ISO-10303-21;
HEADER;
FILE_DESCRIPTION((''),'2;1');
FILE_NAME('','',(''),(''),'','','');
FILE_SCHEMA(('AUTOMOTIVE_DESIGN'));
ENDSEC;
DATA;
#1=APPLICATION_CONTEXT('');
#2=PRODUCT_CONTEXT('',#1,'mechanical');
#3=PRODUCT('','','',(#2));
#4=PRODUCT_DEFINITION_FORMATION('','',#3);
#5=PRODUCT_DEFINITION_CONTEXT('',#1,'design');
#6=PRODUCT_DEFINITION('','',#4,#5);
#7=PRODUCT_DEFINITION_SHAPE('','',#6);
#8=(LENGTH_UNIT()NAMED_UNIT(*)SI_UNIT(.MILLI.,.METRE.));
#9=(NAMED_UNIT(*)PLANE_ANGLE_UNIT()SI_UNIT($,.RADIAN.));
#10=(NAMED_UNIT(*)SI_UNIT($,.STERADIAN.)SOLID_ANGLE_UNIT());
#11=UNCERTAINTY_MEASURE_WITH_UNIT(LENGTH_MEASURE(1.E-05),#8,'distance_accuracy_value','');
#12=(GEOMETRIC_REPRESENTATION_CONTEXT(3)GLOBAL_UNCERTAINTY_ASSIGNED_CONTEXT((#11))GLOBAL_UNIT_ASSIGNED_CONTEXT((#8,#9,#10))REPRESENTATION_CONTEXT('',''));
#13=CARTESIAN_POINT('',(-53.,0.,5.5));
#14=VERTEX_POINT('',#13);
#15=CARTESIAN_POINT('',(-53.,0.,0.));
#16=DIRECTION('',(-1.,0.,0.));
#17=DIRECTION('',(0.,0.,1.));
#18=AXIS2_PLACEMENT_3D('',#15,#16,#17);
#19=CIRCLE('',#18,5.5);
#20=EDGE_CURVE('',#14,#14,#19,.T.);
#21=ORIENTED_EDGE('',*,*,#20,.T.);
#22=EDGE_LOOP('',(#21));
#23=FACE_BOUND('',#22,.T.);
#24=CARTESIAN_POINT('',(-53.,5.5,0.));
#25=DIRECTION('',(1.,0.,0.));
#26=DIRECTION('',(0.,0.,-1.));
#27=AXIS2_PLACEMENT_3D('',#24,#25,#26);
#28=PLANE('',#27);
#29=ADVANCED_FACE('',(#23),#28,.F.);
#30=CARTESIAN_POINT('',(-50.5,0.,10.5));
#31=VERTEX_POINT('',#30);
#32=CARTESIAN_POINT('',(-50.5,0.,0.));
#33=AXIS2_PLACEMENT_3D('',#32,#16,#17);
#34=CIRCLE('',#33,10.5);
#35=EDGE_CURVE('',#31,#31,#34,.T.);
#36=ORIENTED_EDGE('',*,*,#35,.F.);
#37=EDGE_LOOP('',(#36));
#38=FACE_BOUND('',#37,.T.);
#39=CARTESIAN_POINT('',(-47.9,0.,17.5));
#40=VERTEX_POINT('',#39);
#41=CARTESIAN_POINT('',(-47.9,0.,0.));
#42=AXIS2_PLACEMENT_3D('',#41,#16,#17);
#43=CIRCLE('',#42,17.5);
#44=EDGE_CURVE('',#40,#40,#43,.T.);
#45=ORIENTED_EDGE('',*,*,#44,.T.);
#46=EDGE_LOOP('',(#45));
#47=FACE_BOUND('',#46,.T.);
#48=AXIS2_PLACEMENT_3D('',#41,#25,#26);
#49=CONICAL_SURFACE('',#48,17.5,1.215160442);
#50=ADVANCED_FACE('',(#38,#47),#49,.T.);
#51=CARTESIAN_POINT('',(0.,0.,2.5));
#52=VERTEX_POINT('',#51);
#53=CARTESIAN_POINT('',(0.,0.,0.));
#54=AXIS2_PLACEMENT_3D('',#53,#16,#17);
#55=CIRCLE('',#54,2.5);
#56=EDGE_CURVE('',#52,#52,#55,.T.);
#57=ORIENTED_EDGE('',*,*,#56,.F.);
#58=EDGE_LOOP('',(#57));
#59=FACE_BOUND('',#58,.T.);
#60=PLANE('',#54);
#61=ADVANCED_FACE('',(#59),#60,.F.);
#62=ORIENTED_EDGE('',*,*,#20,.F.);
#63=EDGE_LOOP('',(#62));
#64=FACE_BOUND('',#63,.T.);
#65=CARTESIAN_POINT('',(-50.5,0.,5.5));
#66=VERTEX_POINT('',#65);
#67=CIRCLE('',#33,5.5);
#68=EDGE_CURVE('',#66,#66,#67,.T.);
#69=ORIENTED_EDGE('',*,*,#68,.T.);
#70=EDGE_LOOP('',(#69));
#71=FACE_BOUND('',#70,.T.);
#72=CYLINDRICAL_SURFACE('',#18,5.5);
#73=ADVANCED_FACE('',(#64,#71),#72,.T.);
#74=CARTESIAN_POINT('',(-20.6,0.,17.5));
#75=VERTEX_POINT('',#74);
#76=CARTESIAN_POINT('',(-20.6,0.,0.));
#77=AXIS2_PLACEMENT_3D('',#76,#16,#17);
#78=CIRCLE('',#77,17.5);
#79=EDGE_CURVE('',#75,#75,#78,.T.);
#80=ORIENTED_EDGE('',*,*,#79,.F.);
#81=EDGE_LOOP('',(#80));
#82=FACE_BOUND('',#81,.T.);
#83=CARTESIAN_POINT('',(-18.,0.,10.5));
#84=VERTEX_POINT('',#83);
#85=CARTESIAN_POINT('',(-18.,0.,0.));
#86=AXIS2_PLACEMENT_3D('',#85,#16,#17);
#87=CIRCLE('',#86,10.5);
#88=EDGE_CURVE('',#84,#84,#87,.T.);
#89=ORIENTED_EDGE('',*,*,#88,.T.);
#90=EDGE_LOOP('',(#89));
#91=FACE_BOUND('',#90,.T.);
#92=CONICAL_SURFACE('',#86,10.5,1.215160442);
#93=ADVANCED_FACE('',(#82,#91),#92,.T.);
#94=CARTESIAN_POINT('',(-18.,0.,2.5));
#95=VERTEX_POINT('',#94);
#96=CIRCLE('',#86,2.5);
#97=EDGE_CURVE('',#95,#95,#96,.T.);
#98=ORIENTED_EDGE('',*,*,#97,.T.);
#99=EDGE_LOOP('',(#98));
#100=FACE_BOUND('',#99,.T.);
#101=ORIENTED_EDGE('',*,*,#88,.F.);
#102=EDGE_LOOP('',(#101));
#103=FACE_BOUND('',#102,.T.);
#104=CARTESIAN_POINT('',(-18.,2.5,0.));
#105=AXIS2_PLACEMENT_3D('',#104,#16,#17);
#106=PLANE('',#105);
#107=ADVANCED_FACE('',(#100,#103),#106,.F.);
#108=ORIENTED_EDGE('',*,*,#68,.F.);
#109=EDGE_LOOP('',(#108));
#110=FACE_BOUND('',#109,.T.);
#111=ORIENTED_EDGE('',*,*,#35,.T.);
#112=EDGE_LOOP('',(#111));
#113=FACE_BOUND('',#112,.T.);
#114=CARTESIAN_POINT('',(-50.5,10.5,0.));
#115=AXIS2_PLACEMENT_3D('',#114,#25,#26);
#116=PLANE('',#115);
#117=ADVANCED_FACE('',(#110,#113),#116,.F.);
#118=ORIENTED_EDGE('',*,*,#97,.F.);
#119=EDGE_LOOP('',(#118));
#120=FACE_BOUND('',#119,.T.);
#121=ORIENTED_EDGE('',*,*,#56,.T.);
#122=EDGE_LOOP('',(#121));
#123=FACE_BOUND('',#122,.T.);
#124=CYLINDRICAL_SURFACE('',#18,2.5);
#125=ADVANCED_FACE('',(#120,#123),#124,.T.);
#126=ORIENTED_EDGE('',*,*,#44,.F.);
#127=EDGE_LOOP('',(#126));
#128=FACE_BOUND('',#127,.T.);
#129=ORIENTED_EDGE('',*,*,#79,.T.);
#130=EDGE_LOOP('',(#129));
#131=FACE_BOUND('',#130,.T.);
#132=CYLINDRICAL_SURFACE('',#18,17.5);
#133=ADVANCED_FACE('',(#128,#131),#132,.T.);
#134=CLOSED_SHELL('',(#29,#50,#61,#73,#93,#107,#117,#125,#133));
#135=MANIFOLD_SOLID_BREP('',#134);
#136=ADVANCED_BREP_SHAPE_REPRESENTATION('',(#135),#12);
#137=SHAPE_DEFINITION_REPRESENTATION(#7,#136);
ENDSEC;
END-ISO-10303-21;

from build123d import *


with BuildPart() as part:
    # Sketch1 → Revolve1 (revolve)
    with BuildSketch(Plane.XY, mode=Mode.PRIVATE) as revolve1_sk:
        Polygon((0, 0), (0, 2.5), (-18, 2.5), (-18, 10.5), (-20.6, 17.5), (-47.9, 17.5), (-50.5, 10.5), (-50.5, 5.5), (-53, 5.5), (-53, 0), align=None)
    revolve(revolve1_sk.sketch.rotate(Axis((-53, 0, 0), (1, 0, 0)), 90), axis=Axis((-53, 0, 0), (1, 0, 0)))


solid = part.part
